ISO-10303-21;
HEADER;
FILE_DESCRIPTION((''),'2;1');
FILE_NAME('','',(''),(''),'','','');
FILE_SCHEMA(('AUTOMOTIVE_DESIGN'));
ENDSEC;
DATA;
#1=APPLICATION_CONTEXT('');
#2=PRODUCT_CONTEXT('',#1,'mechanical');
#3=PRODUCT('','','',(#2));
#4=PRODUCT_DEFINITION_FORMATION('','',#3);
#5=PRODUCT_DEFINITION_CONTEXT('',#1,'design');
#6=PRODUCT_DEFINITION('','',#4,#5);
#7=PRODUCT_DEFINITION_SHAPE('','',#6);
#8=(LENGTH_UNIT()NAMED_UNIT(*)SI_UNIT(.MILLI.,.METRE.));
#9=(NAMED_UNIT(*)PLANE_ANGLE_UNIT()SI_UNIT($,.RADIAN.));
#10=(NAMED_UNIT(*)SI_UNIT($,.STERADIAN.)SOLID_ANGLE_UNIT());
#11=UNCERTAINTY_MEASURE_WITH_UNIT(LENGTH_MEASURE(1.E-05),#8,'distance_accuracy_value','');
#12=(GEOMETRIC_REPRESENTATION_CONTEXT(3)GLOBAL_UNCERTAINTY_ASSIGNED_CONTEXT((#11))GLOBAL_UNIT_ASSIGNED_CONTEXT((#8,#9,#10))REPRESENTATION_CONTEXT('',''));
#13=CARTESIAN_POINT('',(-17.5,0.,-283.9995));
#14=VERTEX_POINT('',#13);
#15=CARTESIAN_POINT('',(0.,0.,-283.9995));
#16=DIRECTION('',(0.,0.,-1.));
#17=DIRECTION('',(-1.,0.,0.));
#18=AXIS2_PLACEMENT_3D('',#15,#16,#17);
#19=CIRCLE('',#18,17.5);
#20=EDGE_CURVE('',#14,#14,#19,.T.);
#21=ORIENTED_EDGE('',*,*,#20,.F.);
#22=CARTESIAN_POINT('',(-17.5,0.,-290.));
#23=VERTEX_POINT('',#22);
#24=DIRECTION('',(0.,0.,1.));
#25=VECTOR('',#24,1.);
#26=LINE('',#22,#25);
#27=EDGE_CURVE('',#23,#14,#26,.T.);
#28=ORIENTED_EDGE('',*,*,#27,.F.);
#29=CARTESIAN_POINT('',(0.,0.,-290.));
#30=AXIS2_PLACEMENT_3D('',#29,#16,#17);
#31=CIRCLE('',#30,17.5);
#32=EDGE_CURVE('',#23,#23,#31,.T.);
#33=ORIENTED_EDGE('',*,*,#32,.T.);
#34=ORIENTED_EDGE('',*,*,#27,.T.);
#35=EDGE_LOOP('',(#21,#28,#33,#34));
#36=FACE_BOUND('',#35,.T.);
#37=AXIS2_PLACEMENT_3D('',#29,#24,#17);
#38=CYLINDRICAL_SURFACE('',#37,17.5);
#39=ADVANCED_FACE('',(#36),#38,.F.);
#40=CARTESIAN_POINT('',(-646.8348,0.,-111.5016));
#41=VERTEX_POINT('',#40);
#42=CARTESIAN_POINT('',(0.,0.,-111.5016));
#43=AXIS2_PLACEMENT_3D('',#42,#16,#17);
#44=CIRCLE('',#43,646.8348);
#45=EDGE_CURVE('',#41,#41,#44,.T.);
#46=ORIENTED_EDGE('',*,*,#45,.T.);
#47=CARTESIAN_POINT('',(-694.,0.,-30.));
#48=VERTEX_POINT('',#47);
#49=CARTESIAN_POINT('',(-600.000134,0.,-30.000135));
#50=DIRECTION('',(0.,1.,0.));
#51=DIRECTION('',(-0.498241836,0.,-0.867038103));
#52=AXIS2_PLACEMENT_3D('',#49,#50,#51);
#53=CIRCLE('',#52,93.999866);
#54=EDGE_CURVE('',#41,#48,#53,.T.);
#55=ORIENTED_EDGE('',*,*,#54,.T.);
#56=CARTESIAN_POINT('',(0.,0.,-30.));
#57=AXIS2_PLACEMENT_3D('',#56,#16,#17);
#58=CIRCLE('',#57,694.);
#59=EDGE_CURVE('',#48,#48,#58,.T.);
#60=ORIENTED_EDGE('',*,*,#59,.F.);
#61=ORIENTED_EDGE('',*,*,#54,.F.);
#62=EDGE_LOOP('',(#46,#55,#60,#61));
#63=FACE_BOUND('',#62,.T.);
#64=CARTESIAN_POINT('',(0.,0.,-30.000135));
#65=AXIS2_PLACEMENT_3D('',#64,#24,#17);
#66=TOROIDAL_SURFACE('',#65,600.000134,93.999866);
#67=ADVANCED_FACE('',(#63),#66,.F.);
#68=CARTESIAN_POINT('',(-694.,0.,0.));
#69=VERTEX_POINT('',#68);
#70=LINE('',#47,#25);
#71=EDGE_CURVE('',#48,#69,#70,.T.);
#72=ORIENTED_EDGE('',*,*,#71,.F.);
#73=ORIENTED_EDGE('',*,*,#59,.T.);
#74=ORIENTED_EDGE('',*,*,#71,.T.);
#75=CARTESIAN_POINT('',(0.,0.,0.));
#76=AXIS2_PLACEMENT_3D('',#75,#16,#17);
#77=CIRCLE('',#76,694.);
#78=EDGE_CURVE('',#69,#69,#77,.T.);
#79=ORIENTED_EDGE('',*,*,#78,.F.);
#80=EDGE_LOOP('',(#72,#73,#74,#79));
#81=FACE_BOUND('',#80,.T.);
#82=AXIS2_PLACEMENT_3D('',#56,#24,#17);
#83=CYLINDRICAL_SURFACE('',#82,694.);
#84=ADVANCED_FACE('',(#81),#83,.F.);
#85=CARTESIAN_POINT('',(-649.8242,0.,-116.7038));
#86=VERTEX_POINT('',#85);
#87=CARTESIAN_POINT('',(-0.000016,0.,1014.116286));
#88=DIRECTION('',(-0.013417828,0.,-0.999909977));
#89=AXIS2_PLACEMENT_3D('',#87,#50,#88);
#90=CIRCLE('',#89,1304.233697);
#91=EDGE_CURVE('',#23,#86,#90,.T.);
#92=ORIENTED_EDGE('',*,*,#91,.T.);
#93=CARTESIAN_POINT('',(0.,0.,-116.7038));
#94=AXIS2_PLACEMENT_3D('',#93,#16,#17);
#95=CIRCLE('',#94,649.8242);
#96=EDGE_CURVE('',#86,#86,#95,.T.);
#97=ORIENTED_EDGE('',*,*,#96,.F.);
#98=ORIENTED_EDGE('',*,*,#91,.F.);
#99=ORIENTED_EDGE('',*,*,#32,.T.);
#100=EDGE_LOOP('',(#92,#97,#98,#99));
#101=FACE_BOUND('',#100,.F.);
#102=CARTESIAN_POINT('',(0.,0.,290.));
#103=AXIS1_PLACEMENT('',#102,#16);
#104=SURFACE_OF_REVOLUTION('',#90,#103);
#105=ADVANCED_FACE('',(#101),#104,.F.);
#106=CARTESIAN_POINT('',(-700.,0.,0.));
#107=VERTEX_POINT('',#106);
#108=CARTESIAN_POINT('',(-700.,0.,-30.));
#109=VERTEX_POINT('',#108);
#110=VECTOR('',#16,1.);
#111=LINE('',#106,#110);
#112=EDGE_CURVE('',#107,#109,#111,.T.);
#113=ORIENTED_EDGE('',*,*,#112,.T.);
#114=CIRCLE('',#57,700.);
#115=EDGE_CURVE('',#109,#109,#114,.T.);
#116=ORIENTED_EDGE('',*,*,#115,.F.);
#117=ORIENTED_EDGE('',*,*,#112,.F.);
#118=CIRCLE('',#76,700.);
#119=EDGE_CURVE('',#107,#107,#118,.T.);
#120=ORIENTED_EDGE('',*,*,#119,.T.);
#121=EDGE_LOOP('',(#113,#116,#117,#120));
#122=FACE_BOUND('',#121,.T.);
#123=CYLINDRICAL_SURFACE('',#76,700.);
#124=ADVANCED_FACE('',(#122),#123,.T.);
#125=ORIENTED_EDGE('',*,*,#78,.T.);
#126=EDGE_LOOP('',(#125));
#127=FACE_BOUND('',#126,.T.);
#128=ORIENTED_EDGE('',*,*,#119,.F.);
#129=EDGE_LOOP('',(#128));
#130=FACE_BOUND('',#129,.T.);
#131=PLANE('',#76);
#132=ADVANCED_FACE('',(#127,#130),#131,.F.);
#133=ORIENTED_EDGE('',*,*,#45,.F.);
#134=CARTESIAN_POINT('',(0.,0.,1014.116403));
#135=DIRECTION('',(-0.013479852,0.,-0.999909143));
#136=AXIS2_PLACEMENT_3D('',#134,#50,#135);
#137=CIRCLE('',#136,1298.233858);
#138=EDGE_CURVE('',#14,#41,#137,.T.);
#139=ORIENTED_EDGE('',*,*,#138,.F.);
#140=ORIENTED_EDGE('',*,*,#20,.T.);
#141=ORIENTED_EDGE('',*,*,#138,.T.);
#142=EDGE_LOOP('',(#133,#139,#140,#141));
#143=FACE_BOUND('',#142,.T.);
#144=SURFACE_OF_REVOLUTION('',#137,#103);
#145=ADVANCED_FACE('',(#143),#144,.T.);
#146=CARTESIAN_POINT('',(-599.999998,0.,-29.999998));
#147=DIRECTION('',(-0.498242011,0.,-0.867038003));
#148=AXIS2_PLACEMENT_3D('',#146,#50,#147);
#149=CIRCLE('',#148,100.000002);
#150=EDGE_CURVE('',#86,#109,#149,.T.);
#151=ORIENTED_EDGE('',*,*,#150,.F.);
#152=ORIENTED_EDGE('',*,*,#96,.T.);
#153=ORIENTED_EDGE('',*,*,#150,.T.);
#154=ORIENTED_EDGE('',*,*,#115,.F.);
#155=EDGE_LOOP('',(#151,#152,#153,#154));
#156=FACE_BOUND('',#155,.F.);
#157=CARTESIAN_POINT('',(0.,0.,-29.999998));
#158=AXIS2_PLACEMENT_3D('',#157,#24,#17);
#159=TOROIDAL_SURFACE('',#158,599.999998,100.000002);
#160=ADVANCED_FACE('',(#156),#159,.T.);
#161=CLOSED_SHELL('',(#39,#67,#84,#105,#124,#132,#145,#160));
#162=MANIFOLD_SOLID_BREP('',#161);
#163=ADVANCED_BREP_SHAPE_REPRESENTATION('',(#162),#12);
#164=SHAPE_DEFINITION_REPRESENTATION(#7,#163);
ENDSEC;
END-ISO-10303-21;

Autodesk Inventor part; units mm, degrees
ref_plane "YZ Plane" through (0, 0, 0) normal (1, 0, 0) x (0, 1, 0)
ref_plane "XZ Plane" through (0, 0, 0) normal (0, 1, 0) x (-1, 0, 0)
ref_plane "XY Plane" through (0, 0, 0) normal (0, 0, 1) x (1, 0, 0)
sketch "Sketch1" plane through (0, 0, 0) normal (0, 1, 0) x (-1, 0, 0)
  line L0 (700, 0) -> (700, -30)
  arc A0 (649.8242, -116.7038) -> (700, -30) centre (600, -30) ccw
  arc A1 (17.5, -290) -> (649.8242, -116.7038) centre (0, 1014.1164) ccw
  line L1 (0, 290) -> (0, -290)
  arc A2 (17.5, -283.9995) -> (646.8348, -111.5016) centre (0, 1014.1164) ccw
  arc A3 (646.8348, -111.5016) -> (694, -30) centre (600, -30) ccw
  line L2 (694, -30) -> (694, 0)
  line L3 (694, 0) -> (700, 0)
  line L4 (0, -290) -> (17.5, -290)
  line L5 (0, -283.9995) -> (17.5, -283.9995)
  line L6 (17.5, -290) -> (17.5, -283.9995)
  point P0 (0, 0)
  point P1 (0, 0)
  point P2 (0, -163.7009)
  point P3 (0, -169.7009)
  dimension "d0" = 100
  dimension "d1" = 30
  dimension "d3" = 1304.2338
  dimension "d6" = 6
  dimension "d13" = 35
  dimension "d14" = 1400
  dimension "d15" = 290
revolve "Revolution1" add sketch "Sketch1" angle 360 about axis through (0, 0, 290) along (0, 0, -1) contours L0 A0 A1 L6 A2 A3 L2 L3
equation "\"d0\" = tech_dishhead_small_rad"
equation "\"d1\" = tech_dishhead_edge_hight"
equation "\"d13\" = tech_dishhead_bottom_hole"
equation "\"d14\" = MAIN_filter_diam"
equation "\"tech_dishhead_small_rad\" = 100"
equation "\"tech_dishhead_edge_hight\" = 30"
equation "\"tech_dishhead_bottom_hole\" = 35"
equation "\"MAIN_filter_diam\" = 1400"
properties part number "APN 1408 dished head" material "Steel"
